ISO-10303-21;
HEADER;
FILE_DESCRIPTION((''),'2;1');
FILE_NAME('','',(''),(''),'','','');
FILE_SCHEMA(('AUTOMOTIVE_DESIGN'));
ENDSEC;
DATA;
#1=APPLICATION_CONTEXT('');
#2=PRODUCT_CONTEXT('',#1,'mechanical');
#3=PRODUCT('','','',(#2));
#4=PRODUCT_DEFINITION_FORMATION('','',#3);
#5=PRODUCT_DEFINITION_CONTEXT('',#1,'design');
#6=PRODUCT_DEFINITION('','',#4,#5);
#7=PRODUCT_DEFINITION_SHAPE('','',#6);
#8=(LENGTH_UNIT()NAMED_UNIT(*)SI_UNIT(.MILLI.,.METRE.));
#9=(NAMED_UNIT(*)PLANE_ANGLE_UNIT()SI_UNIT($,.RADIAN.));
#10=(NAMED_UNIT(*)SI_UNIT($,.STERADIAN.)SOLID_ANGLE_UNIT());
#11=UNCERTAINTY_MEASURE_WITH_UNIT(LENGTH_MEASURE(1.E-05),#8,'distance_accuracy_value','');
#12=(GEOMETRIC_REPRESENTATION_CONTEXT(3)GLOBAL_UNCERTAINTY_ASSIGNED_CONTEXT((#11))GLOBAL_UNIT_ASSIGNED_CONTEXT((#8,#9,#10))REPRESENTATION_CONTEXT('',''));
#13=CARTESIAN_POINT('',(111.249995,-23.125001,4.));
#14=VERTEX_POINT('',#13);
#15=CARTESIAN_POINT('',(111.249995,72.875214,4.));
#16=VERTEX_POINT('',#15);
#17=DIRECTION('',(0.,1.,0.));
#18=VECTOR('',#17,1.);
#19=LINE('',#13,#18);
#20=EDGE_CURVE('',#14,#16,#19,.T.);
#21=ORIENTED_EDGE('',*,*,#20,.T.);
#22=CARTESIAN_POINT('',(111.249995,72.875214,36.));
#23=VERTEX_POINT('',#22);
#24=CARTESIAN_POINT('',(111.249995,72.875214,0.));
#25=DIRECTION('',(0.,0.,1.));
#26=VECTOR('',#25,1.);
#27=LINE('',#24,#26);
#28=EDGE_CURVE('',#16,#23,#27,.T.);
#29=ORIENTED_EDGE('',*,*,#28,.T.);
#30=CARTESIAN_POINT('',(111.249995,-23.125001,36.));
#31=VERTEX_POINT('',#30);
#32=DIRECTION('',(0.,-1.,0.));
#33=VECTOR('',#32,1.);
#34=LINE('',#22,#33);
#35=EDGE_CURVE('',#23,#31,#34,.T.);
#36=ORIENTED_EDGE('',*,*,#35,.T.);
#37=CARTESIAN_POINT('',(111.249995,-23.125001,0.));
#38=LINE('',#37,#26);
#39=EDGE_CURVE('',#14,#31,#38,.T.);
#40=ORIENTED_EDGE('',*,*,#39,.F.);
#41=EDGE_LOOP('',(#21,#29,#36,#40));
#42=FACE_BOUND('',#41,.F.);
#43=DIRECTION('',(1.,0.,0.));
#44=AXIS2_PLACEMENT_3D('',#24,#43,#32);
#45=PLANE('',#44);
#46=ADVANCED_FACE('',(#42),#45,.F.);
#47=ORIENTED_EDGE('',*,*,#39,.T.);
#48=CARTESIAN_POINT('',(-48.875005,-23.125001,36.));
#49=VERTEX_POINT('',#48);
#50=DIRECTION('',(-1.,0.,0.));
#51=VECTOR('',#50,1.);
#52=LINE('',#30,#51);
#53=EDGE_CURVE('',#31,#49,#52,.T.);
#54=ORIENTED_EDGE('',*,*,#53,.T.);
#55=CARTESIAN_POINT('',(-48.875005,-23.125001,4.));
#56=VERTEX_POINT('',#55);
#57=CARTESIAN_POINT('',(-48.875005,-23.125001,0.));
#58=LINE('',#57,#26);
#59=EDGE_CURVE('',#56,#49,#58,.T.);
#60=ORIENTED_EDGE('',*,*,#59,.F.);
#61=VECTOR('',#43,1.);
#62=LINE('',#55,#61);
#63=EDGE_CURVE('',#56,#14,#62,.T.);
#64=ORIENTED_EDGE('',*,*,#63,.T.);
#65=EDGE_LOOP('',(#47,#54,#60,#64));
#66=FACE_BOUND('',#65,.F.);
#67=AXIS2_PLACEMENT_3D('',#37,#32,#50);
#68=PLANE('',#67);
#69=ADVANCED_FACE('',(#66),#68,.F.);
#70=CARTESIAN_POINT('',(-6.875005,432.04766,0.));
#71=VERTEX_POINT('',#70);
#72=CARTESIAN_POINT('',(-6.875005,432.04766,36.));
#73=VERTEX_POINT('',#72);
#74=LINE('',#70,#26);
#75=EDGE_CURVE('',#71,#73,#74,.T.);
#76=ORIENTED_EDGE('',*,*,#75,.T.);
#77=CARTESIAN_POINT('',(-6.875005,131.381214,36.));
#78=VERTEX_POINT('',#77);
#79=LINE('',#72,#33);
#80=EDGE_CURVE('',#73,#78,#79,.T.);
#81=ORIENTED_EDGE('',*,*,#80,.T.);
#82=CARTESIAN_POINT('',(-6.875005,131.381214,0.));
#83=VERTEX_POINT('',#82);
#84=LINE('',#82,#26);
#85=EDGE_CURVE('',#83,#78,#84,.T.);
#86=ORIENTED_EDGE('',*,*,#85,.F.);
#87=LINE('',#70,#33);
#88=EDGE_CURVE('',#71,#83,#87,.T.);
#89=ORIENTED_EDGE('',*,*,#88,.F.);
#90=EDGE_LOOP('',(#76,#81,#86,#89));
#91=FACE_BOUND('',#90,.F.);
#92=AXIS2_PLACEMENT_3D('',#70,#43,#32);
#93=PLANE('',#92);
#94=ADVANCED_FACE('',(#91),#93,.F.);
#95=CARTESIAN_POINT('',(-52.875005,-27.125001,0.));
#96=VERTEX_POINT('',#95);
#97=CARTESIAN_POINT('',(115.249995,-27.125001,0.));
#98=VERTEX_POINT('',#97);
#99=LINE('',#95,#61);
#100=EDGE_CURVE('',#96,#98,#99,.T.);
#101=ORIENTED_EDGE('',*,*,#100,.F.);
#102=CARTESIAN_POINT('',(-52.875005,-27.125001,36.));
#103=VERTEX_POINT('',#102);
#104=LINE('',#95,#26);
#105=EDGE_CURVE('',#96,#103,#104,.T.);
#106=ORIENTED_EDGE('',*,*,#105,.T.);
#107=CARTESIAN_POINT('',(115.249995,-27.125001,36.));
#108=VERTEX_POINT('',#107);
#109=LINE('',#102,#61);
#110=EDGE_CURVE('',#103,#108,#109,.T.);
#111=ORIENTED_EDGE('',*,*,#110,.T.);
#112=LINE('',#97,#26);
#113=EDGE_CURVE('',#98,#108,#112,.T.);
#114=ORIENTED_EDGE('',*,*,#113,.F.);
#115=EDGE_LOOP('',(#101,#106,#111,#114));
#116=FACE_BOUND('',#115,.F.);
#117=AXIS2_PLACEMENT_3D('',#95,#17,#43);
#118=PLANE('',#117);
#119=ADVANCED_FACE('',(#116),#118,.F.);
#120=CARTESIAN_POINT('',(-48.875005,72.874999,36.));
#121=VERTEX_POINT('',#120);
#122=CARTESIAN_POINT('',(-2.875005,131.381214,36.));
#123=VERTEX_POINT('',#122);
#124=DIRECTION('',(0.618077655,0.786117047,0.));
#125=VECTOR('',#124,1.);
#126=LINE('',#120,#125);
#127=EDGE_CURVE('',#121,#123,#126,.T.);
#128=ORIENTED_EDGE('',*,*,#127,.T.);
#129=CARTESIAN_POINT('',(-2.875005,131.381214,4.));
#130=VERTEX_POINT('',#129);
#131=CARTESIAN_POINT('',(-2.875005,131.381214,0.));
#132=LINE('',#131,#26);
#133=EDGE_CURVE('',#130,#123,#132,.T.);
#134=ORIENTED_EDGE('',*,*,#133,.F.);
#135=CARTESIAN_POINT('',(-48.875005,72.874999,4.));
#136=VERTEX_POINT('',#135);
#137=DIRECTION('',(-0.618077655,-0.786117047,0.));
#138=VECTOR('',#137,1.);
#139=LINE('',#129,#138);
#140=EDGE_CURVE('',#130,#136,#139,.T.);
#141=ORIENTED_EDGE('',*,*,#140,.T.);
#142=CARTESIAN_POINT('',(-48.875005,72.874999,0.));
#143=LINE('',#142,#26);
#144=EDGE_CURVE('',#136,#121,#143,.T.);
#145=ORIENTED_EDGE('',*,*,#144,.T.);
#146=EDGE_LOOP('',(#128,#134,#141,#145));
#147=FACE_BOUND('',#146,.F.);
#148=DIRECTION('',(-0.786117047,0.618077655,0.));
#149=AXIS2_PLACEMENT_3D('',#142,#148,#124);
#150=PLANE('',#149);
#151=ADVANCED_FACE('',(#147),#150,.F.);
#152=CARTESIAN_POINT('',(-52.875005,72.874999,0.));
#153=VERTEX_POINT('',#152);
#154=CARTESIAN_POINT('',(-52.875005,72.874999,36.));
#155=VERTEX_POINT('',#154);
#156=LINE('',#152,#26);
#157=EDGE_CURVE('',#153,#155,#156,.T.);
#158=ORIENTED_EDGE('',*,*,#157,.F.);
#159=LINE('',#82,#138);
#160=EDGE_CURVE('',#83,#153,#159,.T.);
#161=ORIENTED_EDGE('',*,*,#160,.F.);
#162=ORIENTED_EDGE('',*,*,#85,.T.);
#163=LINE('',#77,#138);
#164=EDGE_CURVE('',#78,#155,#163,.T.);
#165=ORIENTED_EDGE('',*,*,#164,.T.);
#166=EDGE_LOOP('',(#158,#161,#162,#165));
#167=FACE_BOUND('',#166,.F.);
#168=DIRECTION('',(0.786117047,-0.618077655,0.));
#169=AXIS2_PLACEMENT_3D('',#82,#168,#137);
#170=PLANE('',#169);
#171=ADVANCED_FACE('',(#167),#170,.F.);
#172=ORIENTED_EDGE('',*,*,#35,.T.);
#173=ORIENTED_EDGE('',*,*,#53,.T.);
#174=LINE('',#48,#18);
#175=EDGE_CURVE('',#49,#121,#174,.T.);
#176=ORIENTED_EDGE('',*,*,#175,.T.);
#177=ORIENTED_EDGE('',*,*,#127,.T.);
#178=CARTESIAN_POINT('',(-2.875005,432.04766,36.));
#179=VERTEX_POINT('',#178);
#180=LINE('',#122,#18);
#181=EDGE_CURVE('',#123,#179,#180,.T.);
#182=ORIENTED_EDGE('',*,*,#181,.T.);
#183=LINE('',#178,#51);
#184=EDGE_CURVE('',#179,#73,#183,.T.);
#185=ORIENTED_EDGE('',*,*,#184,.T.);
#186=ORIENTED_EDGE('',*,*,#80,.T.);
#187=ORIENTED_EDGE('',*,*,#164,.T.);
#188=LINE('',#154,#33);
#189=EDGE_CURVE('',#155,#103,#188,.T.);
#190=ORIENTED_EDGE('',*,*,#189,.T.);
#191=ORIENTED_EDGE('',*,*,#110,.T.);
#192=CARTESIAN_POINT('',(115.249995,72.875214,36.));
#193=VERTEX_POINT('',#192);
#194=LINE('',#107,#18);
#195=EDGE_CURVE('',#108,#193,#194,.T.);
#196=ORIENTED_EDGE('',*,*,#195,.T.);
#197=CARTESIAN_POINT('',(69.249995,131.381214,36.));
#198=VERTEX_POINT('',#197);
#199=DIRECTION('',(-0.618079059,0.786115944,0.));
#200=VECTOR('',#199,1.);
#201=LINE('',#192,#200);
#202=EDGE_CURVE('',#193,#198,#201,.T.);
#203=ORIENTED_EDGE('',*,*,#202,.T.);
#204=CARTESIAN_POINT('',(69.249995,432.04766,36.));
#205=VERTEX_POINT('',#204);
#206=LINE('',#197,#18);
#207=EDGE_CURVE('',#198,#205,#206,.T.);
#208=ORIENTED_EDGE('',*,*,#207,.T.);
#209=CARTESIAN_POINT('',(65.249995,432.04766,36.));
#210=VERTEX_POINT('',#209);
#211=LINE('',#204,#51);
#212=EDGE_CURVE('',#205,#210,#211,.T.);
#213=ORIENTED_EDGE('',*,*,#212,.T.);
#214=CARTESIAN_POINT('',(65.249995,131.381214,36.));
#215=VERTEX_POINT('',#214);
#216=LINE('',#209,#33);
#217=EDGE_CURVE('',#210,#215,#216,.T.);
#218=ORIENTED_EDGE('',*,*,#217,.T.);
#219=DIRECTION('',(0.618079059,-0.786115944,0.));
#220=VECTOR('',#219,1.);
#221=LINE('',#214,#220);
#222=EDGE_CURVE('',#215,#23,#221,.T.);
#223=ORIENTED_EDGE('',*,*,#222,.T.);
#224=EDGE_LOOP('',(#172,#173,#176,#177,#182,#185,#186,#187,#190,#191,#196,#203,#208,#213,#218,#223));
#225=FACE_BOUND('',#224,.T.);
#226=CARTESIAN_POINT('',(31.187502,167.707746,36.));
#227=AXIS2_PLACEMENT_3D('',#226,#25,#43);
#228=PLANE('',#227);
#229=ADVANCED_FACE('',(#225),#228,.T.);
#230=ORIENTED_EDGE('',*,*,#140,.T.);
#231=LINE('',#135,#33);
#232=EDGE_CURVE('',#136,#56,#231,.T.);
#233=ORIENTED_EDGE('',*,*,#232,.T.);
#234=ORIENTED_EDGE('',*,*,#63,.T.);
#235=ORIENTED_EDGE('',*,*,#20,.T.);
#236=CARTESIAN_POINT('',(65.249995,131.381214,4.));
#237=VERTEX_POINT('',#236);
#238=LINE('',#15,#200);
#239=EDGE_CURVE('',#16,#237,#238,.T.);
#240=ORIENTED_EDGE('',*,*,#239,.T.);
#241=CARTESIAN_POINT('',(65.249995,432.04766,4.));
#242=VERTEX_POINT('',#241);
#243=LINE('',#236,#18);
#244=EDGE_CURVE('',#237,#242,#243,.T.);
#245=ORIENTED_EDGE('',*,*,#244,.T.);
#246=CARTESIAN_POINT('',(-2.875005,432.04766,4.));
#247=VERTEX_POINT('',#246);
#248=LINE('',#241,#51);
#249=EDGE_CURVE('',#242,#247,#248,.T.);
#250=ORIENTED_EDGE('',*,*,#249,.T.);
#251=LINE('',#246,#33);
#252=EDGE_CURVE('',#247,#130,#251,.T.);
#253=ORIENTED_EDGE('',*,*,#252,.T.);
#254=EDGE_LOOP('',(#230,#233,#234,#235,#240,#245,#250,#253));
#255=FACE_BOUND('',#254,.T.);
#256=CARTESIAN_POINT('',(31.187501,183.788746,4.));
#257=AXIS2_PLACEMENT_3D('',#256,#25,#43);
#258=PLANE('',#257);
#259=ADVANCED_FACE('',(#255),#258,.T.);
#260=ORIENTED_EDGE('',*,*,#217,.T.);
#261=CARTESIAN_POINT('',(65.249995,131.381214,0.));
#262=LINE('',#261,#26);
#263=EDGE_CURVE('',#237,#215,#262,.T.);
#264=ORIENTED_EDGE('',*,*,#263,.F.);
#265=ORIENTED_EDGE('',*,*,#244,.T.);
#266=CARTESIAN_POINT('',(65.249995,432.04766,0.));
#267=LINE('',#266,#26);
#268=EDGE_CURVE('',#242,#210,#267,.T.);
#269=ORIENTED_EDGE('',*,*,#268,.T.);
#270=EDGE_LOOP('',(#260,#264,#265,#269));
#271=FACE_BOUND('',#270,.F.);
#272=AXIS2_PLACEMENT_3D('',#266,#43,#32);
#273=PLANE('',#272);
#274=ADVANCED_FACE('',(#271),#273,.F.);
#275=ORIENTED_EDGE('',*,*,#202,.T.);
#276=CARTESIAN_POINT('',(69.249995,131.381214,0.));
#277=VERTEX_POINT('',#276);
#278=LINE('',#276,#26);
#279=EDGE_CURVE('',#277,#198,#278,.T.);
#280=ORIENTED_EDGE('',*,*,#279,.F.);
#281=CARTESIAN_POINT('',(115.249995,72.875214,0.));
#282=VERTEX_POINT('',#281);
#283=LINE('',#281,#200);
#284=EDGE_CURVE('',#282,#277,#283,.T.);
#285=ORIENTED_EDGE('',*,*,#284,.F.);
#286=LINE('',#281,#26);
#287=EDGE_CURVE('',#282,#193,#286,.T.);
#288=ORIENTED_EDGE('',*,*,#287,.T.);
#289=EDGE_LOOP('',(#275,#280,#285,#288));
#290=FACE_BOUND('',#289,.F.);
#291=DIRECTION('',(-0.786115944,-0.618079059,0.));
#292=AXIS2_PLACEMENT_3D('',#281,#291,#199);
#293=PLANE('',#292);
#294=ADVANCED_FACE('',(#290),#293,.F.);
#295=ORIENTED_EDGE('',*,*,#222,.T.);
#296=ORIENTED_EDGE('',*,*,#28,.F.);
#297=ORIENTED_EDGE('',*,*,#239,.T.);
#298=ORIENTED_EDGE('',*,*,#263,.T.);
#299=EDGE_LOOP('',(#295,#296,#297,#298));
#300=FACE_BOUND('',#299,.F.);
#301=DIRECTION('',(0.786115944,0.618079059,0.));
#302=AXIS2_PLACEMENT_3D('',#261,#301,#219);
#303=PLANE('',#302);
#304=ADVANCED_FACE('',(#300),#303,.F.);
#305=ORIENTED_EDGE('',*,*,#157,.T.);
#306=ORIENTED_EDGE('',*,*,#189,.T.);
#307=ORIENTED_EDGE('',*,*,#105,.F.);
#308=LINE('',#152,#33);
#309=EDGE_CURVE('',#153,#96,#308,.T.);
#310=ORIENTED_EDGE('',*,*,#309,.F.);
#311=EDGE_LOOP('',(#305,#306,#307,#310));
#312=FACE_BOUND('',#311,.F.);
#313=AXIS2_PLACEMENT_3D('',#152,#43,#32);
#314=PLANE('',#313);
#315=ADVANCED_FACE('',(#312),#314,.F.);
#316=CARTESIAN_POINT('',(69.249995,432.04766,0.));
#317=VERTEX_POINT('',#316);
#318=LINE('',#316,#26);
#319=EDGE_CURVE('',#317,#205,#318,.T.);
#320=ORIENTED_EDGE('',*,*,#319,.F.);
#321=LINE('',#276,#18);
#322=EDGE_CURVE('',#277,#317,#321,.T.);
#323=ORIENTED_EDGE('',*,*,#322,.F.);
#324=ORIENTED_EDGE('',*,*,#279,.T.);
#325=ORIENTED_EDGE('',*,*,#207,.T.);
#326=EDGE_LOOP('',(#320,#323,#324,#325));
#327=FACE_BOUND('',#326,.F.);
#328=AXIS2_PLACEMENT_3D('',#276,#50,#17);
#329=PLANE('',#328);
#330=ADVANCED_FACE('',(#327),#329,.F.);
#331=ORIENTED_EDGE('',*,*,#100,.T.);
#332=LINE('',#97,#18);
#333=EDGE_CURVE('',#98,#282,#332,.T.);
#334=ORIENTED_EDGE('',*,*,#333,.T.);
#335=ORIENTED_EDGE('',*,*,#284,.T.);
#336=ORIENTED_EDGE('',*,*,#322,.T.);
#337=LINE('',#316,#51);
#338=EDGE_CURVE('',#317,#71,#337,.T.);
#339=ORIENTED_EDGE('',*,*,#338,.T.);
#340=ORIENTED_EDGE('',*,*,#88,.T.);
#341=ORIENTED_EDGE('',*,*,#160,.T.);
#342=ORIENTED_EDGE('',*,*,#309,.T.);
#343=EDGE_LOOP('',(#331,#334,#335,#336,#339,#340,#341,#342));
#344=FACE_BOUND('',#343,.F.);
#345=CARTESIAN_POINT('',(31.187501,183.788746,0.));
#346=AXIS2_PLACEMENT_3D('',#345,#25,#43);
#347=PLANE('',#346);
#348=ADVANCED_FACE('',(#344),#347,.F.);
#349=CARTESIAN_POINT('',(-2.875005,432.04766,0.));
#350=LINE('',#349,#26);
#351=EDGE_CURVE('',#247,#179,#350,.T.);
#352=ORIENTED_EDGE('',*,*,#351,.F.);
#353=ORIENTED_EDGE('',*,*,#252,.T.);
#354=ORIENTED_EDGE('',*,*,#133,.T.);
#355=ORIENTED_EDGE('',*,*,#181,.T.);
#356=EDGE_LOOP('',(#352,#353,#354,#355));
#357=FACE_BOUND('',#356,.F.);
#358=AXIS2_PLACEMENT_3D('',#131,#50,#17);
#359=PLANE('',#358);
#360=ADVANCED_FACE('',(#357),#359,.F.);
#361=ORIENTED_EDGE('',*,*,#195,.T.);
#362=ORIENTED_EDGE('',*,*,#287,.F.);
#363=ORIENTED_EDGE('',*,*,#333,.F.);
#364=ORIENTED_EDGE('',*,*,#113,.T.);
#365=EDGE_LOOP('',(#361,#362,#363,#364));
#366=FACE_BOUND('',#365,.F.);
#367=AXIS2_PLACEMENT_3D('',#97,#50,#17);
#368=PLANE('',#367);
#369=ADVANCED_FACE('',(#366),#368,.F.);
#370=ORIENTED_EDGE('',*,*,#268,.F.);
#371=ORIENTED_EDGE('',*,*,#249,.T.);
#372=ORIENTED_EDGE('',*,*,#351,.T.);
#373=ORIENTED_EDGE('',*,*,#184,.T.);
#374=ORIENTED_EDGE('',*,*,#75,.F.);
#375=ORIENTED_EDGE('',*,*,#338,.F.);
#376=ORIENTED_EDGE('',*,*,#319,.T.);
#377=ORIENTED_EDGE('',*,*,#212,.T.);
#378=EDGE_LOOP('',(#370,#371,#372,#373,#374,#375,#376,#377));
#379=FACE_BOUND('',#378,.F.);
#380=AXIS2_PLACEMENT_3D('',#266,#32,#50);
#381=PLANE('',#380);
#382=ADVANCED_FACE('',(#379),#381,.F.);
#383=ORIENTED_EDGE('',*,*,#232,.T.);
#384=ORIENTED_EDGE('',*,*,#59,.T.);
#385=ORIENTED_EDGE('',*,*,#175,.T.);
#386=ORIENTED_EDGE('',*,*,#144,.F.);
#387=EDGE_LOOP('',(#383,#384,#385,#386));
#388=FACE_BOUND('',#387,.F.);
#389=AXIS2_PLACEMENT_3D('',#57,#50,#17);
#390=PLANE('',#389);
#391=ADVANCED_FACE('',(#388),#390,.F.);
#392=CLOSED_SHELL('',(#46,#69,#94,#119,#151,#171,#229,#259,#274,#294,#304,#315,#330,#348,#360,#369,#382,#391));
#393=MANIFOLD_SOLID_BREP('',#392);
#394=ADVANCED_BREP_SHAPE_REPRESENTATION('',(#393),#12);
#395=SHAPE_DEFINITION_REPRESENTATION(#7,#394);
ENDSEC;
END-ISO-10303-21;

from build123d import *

# Parameters (mm, degrees)
F1_DEPTH = 36
F2_DEPTH = 4


with BuildPart() as f1:
    # F0 (on Top) → F1 (new body)
    with BuildSketch(Plane.XY):
        Polygon((-52.875005, 72.874999), (-52.875005, -27.125001), (115.249995, -27.125001), (115.249995, 72.875214), (69.249995, 131.381214), (69.249995, 432.04766), (65.249995, 432.04766), (65.249995, 131.381214), (111.249995, 72.875214), (111.249995, -23.125001), (-48.875005, -23.125001), (-48.875005, 72.874999), (-2.875005, 131.381214), (-2.875005, 432.04766), (-6.875005, 432.04766), (-6.875005, 131.381214), align=None)
    extrude(amount=F1_DEPTH)

    # F0 (on Top) → F2 (join)
    with BuildSketch(Plane.XY):
        Polygon((65.249995, 432.04766), (-2.875005, 432.04766), (-2.875005, 131.381214), (-48.875005, 72.874999), (-48.875005, -23.125001), (111.249995, -23.125001), (111.249995, 72.875214), (65.249995, 131.381214), align=None)
    extrude(amount=F2_DEPTH)


solid = f1.part
